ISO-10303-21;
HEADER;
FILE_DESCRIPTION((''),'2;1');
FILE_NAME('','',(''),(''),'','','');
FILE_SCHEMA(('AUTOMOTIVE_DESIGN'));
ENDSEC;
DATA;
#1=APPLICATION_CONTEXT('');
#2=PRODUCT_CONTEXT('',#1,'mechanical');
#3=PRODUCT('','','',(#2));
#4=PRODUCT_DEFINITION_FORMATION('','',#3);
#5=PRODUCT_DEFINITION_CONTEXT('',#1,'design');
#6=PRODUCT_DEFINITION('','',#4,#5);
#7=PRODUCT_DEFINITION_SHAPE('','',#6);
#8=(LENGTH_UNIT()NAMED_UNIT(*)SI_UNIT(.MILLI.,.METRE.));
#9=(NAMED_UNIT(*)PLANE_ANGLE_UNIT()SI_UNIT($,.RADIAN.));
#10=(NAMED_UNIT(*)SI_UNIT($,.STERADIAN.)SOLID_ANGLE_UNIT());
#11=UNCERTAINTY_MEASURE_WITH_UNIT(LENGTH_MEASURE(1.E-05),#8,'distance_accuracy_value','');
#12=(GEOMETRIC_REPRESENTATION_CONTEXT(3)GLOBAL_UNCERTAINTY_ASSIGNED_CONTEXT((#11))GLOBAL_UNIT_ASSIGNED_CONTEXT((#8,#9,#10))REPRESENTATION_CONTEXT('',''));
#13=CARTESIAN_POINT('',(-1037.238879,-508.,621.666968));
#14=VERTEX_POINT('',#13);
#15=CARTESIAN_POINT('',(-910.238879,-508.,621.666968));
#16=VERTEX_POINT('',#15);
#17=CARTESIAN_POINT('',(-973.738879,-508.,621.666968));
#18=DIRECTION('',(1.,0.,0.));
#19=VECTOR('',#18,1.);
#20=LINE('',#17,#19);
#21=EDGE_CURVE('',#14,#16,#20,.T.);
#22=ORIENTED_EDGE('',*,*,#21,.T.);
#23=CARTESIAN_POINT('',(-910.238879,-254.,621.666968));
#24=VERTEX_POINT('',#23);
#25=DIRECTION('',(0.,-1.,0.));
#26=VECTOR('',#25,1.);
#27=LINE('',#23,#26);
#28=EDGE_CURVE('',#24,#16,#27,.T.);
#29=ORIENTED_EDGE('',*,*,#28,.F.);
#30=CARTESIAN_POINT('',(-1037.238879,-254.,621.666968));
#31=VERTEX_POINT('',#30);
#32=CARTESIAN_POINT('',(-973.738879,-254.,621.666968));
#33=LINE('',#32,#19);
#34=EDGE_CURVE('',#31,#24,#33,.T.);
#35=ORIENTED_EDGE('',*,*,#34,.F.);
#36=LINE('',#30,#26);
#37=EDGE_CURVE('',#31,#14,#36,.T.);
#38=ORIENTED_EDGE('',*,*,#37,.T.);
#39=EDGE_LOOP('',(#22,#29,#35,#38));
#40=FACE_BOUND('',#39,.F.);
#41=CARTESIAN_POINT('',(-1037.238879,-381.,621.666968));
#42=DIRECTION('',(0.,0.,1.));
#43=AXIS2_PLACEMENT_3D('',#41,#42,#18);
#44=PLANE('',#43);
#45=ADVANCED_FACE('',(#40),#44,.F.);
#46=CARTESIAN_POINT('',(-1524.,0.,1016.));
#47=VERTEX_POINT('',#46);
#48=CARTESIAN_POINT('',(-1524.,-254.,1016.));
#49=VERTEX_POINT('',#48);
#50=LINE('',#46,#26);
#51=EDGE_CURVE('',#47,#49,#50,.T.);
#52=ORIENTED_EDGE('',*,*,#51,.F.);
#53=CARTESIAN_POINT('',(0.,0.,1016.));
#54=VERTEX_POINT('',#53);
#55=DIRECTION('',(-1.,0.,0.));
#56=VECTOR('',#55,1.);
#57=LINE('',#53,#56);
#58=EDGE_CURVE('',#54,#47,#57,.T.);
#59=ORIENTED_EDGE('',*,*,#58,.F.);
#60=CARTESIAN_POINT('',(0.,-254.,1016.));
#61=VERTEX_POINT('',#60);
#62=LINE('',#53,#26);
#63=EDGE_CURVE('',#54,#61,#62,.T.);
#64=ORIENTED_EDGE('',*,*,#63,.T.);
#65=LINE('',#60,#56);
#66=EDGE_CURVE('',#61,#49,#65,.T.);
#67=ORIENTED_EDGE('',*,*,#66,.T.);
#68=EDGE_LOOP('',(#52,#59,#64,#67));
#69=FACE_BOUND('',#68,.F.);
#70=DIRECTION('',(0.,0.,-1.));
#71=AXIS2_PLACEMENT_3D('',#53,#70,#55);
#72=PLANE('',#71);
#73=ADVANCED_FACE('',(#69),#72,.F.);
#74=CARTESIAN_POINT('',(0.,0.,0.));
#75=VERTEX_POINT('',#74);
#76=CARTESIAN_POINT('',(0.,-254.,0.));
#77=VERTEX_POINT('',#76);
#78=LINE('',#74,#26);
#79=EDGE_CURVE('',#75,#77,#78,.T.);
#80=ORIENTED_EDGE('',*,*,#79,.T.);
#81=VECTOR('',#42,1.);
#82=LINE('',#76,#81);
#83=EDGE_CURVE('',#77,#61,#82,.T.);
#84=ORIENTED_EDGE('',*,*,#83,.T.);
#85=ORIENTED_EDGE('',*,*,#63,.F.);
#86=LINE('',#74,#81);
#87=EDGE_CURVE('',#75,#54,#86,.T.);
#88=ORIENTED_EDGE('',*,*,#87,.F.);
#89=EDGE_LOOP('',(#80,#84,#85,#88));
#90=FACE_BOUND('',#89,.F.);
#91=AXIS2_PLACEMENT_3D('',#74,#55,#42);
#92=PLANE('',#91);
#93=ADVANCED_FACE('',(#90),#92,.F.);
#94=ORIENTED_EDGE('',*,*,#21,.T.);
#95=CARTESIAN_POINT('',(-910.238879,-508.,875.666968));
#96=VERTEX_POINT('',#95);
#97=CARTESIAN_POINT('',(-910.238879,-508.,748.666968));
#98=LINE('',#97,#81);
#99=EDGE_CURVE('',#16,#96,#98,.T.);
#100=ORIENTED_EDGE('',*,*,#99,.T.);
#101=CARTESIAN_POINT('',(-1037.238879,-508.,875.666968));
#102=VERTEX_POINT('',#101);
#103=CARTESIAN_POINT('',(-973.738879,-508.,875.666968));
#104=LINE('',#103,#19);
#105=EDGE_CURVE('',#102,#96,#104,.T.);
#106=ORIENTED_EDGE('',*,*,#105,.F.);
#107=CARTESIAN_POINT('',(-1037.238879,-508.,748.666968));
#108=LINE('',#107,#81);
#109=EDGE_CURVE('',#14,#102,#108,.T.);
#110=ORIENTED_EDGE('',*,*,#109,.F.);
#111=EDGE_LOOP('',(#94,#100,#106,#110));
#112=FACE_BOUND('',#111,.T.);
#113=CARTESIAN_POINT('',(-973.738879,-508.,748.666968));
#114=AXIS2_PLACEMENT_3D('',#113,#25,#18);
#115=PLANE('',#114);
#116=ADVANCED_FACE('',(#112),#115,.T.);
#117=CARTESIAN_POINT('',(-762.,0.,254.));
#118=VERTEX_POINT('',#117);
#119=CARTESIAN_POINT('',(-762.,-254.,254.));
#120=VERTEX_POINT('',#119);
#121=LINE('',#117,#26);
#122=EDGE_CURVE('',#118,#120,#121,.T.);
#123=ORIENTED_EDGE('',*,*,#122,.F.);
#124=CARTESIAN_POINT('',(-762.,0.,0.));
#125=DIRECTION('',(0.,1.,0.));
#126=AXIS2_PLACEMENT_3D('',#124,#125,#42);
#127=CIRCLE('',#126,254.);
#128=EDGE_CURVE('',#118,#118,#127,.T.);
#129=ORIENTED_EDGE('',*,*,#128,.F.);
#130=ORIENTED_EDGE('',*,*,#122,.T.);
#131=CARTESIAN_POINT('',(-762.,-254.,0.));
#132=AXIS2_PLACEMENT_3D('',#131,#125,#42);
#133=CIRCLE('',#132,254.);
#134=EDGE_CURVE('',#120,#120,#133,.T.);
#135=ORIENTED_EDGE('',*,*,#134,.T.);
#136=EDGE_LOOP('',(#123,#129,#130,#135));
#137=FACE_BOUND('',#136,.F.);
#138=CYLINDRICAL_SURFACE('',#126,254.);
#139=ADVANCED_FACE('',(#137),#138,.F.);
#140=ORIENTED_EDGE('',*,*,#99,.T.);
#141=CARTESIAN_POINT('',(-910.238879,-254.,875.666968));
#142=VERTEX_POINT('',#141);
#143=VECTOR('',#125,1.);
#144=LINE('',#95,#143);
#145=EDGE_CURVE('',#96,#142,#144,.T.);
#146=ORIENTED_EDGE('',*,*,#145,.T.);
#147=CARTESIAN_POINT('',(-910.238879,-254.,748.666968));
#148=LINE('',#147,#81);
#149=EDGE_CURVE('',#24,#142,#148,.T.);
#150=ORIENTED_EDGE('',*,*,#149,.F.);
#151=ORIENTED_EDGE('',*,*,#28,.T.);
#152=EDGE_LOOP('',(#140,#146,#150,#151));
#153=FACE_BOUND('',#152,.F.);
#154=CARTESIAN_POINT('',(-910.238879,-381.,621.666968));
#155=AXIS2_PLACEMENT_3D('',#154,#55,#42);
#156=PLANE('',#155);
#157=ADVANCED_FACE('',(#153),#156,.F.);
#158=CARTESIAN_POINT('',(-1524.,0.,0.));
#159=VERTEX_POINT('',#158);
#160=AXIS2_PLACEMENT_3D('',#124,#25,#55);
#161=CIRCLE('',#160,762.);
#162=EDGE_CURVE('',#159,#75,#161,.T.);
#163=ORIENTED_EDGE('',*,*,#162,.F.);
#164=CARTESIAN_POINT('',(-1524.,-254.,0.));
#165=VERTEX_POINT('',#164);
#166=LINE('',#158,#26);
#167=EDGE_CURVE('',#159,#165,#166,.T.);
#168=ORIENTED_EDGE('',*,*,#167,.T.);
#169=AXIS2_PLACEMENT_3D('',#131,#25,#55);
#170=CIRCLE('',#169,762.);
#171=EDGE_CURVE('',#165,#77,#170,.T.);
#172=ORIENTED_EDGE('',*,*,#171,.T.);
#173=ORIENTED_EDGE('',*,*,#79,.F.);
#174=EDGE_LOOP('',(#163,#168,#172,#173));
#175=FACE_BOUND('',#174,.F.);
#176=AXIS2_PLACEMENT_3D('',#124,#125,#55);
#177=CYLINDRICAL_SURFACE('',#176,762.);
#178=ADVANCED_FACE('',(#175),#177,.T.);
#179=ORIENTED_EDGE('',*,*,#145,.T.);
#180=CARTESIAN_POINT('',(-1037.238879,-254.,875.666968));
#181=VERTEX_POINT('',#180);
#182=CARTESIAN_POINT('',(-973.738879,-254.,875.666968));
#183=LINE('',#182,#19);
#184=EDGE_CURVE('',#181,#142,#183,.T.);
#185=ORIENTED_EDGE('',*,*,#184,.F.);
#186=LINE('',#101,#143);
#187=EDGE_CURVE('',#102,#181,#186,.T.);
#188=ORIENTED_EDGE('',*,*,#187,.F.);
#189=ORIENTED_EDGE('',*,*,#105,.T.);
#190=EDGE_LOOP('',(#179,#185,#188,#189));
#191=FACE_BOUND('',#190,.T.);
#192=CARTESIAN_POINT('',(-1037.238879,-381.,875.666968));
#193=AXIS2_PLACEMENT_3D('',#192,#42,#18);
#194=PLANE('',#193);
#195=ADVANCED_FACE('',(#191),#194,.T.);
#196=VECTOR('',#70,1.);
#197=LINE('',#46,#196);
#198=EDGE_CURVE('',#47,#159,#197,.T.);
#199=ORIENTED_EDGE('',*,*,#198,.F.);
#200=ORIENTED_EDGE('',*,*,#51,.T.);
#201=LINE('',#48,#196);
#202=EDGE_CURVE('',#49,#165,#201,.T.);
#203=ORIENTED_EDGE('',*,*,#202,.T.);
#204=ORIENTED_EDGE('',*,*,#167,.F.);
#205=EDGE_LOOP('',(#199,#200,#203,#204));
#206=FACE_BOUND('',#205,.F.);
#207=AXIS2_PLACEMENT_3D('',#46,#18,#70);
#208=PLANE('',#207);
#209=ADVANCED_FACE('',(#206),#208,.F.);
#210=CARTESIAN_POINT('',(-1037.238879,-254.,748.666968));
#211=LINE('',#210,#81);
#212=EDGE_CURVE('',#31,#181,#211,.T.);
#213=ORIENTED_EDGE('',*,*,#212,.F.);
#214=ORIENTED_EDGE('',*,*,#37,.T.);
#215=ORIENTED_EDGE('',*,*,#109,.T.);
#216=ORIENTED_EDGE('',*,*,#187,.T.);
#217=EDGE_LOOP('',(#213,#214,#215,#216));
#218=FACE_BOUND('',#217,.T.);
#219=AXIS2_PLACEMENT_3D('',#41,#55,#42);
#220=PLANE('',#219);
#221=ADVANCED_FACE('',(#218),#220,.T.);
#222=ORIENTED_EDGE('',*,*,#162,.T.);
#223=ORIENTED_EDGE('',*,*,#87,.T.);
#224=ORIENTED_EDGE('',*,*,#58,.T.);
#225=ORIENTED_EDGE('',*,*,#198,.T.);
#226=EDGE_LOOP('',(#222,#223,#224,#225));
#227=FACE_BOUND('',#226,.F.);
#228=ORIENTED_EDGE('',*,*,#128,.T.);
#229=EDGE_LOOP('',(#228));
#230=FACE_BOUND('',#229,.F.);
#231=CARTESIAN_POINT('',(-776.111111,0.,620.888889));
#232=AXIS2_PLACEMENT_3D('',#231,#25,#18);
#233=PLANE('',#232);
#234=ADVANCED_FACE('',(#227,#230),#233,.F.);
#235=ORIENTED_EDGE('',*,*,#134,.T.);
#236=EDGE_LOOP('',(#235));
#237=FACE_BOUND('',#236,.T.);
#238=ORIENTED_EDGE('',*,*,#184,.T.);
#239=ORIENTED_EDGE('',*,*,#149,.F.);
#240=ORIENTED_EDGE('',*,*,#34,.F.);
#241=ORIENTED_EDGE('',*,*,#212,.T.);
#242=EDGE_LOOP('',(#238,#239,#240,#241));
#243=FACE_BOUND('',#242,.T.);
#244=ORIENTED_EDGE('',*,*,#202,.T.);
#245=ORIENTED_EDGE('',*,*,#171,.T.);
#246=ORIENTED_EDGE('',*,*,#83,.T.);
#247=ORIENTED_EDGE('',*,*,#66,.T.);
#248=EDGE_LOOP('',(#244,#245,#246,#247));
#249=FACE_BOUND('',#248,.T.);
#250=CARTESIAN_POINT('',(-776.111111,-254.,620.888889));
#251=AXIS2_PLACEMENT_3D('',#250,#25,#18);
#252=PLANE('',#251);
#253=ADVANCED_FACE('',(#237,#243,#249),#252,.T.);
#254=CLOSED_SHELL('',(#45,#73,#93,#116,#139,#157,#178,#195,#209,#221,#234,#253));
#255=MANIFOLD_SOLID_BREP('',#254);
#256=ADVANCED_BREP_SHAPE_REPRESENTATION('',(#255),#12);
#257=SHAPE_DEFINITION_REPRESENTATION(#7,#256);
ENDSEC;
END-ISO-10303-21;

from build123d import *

# Parameters (mm, degrees)
F0_W     = 254
F0_H     = 254
F1_DEPTH = 254
F2_W     = 127
F2_H     = 254
F3_DEPTH = 127
F4_DEPTH = 127


with BuildPart() as f1:
    # F0 (on Front) → F1 (new body)
    with BuildSketch(Plane.XZ):
        Polygon((-254, 1016), (-1524, 1016), (-1524, 254), (-762, 254), (0, 254), (0, 762), (-254, 762), align=None)
        with Locations((-127, 889)):
            Rectangle(F0_W, F0_H)
        with BuildLine():
            Line((-762, 254), (-1524, 254))
            Line((-1524, 254), (-1524, 0))
            ThreePointArc((-1524, 0), (-762, -762), (0, 0))
            Line((0, 0), (0, 254))
            Line((0, 254), (-762, 254))
        make_face()
        with BuildLine():
            ThreePointArc((-508, 0), (-941.6051224214, -179.6051224214), (-762, 254))
            ThreePointArc((-762, 254), (-582.3948775786, 179.6051224214), (-508, 0))
        make_face(mode=Mode.SUBTRACT)
    extrude(amount=F1_DEPTH)

    # F2 (on face) → F3 (join)
    with BuildSketch(Plane.XZ.offset(254)):
        with Locations((-973.7388785046, 748.6669676349)):
            Rectangle(F2_W, F2_H)
    extrude(amount=F3_DEPTH)

    # F4 (add): a face of the model
    f4_faces = [f1.faces().sort_by_distance(p)[0] for p in [
        (-973.7388785046, -381, 748.6669676349),
    ]]
    extrude(f4_faces, amount=F4_DEPTH)


solid = f1.part
